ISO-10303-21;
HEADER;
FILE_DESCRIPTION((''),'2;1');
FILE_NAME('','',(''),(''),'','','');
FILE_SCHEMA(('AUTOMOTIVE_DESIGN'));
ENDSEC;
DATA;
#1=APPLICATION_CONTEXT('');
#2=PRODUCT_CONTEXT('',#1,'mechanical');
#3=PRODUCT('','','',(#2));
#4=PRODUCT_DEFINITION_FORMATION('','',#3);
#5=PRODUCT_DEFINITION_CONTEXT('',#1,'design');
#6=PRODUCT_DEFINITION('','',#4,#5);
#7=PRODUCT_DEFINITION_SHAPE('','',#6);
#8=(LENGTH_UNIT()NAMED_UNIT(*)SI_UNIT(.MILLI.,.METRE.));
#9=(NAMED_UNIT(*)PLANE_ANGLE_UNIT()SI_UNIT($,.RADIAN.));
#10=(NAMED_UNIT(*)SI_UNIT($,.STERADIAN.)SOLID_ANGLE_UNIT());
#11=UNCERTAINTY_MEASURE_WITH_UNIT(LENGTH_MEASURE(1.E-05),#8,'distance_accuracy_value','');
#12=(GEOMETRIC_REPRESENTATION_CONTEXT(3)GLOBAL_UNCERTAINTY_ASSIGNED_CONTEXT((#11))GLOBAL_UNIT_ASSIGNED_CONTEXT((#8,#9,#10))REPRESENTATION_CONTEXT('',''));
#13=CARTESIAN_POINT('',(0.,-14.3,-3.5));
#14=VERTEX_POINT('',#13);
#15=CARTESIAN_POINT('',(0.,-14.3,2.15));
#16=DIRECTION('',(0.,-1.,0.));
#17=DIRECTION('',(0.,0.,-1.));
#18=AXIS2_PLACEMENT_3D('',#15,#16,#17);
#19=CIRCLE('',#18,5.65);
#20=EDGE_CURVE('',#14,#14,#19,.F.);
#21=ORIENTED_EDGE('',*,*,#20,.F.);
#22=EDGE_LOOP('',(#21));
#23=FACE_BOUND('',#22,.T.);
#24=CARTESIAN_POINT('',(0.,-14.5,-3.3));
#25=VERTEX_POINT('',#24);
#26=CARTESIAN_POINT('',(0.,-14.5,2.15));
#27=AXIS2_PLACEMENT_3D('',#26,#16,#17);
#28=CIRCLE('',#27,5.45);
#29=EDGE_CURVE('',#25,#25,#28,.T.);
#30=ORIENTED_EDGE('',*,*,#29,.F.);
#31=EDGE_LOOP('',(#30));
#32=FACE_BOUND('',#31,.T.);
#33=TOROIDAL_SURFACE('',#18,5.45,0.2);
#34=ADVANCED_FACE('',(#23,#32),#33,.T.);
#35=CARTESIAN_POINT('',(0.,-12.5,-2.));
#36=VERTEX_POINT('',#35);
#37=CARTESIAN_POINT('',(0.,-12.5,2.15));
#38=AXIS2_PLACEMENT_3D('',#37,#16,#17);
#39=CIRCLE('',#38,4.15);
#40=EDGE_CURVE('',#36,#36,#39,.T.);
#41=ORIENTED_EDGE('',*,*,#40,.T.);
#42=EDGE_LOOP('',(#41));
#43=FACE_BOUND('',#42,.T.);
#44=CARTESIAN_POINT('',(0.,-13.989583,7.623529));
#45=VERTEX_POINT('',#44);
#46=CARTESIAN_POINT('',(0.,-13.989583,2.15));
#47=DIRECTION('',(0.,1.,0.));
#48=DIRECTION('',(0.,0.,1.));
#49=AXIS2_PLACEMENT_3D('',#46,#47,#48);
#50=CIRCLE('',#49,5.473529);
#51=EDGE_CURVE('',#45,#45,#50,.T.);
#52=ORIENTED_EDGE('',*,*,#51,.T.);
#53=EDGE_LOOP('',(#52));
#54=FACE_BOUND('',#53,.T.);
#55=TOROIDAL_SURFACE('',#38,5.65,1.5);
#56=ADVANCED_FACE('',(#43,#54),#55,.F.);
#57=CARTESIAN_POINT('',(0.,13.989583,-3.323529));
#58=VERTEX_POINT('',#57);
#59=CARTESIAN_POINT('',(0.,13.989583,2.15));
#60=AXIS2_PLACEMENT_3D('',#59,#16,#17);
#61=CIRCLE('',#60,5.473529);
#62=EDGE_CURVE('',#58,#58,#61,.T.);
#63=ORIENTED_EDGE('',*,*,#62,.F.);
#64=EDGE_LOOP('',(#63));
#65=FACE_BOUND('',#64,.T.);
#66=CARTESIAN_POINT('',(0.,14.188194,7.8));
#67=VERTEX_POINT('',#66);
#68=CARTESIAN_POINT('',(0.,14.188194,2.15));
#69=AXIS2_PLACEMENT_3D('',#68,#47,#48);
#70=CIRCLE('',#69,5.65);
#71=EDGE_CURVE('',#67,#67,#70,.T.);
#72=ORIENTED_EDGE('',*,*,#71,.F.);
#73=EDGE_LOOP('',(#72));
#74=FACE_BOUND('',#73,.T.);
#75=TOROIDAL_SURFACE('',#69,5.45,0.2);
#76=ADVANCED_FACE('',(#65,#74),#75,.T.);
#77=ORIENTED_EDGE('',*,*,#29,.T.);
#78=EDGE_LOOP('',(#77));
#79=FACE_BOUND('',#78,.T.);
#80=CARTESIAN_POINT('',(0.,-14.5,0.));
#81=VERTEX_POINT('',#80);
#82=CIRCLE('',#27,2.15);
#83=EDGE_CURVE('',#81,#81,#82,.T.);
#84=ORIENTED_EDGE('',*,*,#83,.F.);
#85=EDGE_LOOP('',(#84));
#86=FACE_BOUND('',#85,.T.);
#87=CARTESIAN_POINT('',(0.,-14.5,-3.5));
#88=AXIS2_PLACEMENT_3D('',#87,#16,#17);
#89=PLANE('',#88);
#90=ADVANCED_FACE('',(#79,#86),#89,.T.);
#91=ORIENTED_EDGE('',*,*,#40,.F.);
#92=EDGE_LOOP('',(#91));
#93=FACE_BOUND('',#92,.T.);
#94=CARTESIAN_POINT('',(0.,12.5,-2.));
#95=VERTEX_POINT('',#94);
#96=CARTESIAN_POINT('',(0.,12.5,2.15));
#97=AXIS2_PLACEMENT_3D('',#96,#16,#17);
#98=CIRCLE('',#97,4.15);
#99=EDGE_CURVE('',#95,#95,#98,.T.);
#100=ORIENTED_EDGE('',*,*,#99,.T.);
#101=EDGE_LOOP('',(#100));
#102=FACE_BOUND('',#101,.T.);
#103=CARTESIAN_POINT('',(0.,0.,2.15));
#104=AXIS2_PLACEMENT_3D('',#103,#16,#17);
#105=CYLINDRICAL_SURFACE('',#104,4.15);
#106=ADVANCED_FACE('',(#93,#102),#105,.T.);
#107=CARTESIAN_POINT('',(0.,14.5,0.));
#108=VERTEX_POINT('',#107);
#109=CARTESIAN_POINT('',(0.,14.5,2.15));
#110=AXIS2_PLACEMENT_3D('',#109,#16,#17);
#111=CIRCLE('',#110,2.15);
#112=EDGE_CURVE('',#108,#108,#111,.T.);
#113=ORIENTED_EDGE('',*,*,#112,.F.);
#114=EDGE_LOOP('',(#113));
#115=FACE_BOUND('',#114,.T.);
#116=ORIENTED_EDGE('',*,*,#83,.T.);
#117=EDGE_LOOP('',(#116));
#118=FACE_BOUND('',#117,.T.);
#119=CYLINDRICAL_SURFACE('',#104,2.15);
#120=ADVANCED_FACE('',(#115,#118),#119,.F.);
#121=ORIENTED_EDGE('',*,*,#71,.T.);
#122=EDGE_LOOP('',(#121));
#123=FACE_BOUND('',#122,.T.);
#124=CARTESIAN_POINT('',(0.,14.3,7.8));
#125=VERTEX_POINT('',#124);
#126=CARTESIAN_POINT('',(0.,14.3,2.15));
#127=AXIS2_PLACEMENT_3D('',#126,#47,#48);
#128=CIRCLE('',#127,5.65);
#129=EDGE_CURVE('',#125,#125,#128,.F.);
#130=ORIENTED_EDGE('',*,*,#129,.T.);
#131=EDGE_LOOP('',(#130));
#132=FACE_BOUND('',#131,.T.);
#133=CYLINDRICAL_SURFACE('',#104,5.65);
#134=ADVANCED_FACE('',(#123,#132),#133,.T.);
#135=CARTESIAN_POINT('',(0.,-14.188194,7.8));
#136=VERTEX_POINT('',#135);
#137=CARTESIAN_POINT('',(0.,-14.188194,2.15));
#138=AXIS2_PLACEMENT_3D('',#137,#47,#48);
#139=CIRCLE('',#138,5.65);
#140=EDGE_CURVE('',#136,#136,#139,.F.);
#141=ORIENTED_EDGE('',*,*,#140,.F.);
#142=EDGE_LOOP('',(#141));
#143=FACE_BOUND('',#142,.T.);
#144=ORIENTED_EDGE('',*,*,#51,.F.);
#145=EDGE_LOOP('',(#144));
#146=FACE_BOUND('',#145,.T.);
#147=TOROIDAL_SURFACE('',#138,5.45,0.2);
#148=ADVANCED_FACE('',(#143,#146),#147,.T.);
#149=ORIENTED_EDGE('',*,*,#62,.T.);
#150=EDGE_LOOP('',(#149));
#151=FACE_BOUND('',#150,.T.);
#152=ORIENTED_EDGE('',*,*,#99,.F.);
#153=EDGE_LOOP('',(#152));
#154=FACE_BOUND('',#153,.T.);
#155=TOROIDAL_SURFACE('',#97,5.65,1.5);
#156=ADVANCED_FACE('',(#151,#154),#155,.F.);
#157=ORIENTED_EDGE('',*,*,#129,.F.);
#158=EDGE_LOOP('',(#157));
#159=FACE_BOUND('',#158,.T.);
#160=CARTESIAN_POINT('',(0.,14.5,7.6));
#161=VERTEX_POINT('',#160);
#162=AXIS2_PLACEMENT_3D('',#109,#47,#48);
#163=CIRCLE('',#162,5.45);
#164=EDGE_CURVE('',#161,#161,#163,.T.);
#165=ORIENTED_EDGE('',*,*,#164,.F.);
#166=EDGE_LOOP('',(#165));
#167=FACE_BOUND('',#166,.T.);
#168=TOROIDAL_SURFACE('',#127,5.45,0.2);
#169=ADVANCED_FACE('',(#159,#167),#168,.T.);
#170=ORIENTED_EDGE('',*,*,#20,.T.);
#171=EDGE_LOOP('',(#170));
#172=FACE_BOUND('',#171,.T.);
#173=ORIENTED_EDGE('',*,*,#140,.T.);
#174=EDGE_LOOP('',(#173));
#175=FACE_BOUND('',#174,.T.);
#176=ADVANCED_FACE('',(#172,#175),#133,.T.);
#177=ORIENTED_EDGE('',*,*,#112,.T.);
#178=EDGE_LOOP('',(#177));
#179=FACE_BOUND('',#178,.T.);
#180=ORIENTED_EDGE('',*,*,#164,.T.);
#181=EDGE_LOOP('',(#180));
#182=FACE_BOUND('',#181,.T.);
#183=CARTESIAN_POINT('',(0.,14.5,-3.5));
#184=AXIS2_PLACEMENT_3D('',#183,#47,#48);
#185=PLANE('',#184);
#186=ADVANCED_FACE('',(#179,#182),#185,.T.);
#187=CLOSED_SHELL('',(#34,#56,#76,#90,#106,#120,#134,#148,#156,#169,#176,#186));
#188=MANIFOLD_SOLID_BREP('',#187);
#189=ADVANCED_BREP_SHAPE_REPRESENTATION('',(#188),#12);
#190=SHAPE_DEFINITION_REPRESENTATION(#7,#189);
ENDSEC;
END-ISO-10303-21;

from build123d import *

# Parameters (mm, degrees)
FILLET2_R = 0.2


with BuildPart() as part:
    # Sketch4 → Revolve2 (revolve)
    with BuildSketch(Plane(origin=(0, 0, 0), x_dir=(0, 0, -1), z_dir=(1, 0, 0))):
        with BuildLine():
            Line((2, -12.5), (2, 12.5))
            ThreePointArc((2, 12.5), (2.439339828, 13.560660172), (3.5, 14))
            Line((3.5, 14), (3.5, 14.5))
            Line((3.5, 14.5), (0, 14.5))
            Line((0, 14.5), (0, 14))
            Line((0, 14), (0, -14))
            Line((0, -14), (0, -14.5))
            Line((0, -14.5), (3.5, -14.5))
            Line((3.5, -14.5), (3.5, -14))
            ThreePointArc((3.5, -14), (2.439339828, -13.560660172), (2, -12.5))
        make_face()
    revolve(axis=Axis((0, 0, 2.15), (0, 1, 0)))

    # Fillet2
    fillet2_edges = [part.edges().sort_by_distance(p)[0] for p in [
        (0, -14.5, 7.8),
        (0, -14, 7.8),
        (0, 14, 7.8),
        (0, 14.5, 7.8),
    ]]
    fillet(fillet2_edges, radius=FILLET2_R)


solid = part.part
